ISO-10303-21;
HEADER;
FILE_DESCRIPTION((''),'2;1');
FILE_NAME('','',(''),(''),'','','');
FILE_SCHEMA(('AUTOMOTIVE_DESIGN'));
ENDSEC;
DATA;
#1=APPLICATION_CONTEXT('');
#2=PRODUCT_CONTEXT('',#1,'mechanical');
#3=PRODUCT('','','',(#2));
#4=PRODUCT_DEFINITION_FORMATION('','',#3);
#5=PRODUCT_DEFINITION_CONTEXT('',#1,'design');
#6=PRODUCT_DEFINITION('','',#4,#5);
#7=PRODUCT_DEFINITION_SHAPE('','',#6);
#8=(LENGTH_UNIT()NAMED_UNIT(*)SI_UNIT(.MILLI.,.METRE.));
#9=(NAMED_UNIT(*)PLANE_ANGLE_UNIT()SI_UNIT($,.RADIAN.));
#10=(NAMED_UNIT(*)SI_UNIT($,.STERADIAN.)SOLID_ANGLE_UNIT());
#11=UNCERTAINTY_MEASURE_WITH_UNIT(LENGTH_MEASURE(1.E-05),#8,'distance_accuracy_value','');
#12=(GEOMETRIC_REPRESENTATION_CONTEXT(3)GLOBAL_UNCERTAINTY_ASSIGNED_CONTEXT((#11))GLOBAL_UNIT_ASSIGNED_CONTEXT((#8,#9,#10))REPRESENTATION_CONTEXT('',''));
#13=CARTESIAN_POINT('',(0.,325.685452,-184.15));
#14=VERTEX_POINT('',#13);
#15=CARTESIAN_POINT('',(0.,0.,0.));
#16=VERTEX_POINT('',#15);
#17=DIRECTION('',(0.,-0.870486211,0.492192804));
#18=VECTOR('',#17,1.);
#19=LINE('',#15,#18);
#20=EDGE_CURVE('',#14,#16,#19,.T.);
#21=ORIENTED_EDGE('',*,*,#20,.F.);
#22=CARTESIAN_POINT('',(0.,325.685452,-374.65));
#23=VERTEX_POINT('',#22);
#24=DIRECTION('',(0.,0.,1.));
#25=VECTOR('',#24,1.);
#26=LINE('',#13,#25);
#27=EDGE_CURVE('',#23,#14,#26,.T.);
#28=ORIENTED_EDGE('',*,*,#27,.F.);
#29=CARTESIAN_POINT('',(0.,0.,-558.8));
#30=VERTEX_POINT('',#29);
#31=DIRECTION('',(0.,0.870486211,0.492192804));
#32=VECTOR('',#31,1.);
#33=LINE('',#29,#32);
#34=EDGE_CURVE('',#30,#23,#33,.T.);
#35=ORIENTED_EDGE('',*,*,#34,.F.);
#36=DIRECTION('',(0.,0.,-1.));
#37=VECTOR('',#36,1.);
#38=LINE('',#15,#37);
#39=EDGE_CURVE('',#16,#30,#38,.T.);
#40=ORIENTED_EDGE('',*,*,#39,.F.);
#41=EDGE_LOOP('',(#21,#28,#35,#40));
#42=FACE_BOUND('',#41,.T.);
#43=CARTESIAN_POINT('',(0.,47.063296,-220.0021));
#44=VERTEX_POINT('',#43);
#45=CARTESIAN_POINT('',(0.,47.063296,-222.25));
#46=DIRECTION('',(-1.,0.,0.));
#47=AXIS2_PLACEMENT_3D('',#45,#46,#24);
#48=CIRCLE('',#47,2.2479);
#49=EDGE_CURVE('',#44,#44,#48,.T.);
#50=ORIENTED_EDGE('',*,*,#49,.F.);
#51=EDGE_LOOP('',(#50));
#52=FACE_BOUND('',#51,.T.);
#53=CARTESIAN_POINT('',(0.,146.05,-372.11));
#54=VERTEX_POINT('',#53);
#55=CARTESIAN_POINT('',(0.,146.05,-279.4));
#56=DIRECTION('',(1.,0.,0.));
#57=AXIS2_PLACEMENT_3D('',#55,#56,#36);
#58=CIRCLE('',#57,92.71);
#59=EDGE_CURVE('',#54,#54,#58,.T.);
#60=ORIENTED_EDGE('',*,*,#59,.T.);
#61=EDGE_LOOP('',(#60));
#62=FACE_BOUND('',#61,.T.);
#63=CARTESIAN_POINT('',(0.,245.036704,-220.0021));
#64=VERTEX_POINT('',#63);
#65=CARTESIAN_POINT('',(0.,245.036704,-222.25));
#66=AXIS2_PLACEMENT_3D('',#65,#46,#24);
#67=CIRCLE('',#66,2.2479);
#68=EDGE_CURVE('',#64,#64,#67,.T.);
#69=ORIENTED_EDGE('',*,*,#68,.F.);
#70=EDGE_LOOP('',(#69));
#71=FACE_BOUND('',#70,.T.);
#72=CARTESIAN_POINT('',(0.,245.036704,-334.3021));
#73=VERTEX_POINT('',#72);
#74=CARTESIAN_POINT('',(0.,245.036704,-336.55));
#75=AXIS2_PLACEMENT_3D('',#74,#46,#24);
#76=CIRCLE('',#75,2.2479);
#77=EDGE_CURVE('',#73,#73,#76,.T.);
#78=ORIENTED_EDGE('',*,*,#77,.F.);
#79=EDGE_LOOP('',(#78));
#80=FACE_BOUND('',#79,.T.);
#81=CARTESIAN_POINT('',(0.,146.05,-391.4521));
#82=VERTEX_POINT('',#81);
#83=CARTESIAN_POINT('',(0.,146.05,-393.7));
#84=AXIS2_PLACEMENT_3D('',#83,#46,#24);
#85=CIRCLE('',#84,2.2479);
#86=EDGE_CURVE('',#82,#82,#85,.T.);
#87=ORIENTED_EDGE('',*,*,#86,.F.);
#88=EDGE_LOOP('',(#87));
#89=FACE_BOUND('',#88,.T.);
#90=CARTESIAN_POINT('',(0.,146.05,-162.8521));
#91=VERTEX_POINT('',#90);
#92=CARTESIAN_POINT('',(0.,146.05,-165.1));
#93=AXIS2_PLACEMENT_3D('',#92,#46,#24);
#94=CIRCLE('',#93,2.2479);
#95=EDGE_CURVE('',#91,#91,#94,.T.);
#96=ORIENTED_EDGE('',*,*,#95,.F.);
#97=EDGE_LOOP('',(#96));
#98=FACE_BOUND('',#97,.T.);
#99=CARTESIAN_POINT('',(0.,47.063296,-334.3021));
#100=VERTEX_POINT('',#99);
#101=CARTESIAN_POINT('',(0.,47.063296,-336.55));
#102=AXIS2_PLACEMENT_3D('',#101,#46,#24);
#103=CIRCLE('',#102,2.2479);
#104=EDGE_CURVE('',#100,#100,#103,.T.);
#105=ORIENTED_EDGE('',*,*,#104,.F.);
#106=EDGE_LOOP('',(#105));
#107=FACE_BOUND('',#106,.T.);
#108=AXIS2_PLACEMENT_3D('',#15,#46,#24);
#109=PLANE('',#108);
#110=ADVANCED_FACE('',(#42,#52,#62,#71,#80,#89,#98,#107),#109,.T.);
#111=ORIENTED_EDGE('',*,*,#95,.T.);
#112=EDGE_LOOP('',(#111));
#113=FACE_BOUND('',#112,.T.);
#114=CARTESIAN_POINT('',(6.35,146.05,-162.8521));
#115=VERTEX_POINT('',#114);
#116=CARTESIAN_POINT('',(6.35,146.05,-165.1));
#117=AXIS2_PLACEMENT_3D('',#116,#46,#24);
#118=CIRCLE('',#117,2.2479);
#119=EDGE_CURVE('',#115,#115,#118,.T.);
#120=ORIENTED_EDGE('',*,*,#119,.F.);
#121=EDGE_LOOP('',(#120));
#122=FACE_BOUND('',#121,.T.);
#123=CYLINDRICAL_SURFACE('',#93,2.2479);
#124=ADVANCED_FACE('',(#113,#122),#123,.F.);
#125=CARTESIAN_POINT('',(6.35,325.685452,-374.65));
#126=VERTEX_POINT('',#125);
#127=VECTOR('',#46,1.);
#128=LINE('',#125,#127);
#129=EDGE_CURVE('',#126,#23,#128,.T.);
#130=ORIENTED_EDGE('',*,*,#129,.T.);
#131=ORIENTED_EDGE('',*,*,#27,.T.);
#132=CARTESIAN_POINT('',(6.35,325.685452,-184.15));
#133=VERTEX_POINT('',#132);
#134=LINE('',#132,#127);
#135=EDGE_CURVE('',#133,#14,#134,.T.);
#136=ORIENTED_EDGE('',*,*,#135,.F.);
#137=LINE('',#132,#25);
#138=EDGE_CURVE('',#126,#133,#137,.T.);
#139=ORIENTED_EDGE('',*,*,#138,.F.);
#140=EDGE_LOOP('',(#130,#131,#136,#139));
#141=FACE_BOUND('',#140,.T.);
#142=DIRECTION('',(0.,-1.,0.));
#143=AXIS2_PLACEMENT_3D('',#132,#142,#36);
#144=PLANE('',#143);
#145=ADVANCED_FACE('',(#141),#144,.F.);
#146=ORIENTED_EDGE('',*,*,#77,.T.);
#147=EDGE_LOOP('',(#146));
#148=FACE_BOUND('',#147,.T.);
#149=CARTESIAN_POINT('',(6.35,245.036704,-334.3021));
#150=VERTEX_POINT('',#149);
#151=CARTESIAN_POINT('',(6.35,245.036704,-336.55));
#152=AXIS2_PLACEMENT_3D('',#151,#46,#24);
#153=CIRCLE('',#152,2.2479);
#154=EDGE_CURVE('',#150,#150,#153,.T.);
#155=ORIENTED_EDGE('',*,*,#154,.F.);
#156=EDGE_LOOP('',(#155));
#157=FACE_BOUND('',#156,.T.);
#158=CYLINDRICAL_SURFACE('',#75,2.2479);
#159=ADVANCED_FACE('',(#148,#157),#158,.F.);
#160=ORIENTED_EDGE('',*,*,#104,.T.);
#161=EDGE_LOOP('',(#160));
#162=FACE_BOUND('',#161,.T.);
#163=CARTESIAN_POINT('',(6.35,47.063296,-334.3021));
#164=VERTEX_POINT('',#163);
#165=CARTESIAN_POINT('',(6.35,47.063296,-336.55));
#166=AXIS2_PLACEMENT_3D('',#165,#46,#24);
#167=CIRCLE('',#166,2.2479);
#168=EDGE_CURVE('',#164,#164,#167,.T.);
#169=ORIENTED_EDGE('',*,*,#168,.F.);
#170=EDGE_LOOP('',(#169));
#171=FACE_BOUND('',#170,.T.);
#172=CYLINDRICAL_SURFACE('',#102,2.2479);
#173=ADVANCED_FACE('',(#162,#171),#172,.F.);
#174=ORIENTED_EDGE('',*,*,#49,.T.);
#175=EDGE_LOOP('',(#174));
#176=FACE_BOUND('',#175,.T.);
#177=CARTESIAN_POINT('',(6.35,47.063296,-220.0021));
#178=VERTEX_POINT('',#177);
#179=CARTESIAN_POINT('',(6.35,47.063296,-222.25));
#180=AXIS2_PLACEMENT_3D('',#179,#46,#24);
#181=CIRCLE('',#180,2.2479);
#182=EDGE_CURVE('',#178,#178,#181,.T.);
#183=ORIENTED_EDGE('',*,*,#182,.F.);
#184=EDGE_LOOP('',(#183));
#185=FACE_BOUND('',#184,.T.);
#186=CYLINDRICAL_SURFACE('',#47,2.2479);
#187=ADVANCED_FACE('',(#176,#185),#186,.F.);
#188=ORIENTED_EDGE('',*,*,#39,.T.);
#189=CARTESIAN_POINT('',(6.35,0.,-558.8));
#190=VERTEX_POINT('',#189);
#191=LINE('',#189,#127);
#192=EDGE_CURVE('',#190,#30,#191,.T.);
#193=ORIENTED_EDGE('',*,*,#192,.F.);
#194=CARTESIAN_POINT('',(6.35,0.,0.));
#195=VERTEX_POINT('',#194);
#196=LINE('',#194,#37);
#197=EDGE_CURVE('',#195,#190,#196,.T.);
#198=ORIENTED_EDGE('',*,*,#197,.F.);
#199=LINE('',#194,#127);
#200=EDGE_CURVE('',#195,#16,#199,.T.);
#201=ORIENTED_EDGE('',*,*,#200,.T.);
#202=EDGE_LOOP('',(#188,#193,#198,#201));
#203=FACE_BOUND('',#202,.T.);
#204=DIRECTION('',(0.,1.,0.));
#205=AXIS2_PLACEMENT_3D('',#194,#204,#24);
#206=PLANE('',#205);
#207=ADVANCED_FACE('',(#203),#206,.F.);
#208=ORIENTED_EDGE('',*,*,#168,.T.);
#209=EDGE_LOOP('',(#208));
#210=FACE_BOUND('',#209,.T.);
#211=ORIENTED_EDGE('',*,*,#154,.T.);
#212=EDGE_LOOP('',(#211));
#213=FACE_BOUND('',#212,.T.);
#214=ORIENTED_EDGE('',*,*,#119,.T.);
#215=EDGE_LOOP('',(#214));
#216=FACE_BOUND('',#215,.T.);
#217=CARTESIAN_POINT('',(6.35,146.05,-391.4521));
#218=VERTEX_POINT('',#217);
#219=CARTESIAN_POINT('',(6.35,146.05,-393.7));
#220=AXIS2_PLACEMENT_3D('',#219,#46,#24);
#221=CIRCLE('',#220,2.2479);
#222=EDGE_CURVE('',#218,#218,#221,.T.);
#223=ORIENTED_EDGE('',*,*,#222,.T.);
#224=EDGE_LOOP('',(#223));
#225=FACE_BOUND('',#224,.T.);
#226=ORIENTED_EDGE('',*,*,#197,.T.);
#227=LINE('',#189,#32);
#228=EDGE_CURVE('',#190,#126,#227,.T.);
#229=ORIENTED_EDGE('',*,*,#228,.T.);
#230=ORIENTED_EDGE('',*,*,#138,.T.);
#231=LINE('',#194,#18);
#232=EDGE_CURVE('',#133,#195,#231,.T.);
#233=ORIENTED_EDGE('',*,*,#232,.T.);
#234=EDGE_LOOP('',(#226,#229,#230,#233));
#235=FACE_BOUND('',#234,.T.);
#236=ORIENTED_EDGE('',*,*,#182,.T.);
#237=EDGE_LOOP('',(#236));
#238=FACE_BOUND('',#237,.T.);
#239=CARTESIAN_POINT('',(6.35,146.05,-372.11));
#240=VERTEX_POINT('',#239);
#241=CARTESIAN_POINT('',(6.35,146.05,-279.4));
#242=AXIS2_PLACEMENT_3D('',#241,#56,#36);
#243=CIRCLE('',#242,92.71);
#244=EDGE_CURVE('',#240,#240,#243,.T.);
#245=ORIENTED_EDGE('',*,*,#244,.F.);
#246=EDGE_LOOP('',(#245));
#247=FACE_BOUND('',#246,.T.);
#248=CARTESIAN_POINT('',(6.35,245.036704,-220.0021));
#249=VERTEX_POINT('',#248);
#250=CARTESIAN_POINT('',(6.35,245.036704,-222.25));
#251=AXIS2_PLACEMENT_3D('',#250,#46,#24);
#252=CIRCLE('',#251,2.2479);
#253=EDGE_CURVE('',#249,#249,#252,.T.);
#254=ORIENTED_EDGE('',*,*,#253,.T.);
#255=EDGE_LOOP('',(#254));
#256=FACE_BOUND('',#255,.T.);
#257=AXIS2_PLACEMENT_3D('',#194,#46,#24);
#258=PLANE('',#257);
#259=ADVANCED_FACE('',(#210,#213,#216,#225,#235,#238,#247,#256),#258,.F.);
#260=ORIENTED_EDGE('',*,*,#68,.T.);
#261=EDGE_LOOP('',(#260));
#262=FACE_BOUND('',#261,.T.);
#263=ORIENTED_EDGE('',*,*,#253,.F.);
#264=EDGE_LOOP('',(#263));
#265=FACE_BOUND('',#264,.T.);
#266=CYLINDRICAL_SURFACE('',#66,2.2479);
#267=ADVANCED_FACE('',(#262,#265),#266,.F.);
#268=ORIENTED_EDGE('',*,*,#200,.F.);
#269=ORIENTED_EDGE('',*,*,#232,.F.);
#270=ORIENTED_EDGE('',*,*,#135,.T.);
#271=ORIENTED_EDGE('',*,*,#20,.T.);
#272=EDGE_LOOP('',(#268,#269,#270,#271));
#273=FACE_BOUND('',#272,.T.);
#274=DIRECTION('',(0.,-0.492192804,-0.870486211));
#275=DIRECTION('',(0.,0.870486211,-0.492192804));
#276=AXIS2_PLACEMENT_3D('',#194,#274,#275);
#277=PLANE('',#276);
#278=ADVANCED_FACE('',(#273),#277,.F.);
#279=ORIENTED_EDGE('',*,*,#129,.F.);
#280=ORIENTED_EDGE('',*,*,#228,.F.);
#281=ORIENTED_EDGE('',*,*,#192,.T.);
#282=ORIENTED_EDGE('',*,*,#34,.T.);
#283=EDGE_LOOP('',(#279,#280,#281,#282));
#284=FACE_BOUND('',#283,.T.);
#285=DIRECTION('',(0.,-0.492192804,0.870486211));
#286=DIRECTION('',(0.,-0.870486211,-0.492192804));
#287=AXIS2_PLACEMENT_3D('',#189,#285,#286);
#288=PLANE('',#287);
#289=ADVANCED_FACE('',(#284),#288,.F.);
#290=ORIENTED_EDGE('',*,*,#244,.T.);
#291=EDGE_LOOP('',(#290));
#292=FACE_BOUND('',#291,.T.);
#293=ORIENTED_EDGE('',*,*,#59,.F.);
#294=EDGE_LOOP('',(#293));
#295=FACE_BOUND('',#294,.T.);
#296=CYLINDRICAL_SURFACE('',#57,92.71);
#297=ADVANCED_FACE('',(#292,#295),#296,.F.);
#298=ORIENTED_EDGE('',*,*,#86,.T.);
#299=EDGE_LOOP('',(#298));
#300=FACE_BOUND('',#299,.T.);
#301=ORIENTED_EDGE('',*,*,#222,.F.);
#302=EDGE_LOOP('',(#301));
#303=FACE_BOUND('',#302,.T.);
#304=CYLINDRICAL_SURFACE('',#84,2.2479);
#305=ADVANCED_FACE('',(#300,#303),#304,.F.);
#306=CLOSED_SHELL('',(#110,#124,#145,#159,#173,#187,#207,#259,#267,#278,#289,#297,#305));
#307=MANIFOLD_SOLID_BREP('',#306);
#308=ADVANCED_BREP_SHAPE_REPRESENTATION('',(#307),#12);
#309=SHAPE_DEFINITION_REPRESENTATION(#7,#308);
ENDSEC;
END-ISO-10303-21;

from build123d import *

# Parameters (mm, degrees)
BOSS_EXTRUDE1_DEPTH       = 6.35
SKETCH2_R                 = 92.71
CUT_EXTRUDE1_DEPTH        = 7.35
F_8_CLEARANCE_HOLE1_D     = 4.4958
F_8_CLEARANCE_HOLE1_DEPTH = 25.4
F_8_CLEARANCE_HOLE1_TIP   = 1.350674586


with BuildPart() as part:
    # Sketch1 → Boss-Extrude1 (new body)
    with BuildSketch(Plane(origin=(0, 0, 0), x_dir=(0, 0, -1), z_dir=(1, 0, 0))):
        Polygon((0, 0), (558.8, 0), (374.65, 325.68545203), (184.15, 325.68545203), align=None)
    extrude(amount=BOSS_EXTRUDE1_DEPTH)

    # Sketch2 → Cut-Extrude1 (cut, through all)
    with BuildSketch(Plane(origin=(6.35, 0, 0), x_dir=(0, 0, -1), z_dir=(1, 0, 0))):
        with Locations((279.4, 146.05)):
            Circle(SKETCH2_R)
    extrude(amount=-CUT_EXTRUDE1_DEPTH, mode=Mode.SUBTRACT)

    # #8 Clearance Hole1
    with Locations(Plane.ZY):
        with Locations((-336.55, 245.036703653), (-222.25, 245.036703653), (-165.1, 146.05), (-222.25, 47.063296347), (-336.55, 47.063296347), (-393.7, 146.05)):
            Hole(F_8_CLEARANCE_HOLE1_D / 2, depth=F_8_CLEARANCE_HOLE1_DEPTH)
            with Locations((0, 0, -(F_8_CLEARANCE_HOLE1_DEPTH + F_8_CLEARANCE_HOLE1_TIP / 2))):  # 118° drill point
                Cone(0, F_8_CLEARANCE_HOLE1_D / 2, F_8_CLEARANCE_HOLE1_TIP, mode=Mode.SUBTRACT)


solid = part.part
